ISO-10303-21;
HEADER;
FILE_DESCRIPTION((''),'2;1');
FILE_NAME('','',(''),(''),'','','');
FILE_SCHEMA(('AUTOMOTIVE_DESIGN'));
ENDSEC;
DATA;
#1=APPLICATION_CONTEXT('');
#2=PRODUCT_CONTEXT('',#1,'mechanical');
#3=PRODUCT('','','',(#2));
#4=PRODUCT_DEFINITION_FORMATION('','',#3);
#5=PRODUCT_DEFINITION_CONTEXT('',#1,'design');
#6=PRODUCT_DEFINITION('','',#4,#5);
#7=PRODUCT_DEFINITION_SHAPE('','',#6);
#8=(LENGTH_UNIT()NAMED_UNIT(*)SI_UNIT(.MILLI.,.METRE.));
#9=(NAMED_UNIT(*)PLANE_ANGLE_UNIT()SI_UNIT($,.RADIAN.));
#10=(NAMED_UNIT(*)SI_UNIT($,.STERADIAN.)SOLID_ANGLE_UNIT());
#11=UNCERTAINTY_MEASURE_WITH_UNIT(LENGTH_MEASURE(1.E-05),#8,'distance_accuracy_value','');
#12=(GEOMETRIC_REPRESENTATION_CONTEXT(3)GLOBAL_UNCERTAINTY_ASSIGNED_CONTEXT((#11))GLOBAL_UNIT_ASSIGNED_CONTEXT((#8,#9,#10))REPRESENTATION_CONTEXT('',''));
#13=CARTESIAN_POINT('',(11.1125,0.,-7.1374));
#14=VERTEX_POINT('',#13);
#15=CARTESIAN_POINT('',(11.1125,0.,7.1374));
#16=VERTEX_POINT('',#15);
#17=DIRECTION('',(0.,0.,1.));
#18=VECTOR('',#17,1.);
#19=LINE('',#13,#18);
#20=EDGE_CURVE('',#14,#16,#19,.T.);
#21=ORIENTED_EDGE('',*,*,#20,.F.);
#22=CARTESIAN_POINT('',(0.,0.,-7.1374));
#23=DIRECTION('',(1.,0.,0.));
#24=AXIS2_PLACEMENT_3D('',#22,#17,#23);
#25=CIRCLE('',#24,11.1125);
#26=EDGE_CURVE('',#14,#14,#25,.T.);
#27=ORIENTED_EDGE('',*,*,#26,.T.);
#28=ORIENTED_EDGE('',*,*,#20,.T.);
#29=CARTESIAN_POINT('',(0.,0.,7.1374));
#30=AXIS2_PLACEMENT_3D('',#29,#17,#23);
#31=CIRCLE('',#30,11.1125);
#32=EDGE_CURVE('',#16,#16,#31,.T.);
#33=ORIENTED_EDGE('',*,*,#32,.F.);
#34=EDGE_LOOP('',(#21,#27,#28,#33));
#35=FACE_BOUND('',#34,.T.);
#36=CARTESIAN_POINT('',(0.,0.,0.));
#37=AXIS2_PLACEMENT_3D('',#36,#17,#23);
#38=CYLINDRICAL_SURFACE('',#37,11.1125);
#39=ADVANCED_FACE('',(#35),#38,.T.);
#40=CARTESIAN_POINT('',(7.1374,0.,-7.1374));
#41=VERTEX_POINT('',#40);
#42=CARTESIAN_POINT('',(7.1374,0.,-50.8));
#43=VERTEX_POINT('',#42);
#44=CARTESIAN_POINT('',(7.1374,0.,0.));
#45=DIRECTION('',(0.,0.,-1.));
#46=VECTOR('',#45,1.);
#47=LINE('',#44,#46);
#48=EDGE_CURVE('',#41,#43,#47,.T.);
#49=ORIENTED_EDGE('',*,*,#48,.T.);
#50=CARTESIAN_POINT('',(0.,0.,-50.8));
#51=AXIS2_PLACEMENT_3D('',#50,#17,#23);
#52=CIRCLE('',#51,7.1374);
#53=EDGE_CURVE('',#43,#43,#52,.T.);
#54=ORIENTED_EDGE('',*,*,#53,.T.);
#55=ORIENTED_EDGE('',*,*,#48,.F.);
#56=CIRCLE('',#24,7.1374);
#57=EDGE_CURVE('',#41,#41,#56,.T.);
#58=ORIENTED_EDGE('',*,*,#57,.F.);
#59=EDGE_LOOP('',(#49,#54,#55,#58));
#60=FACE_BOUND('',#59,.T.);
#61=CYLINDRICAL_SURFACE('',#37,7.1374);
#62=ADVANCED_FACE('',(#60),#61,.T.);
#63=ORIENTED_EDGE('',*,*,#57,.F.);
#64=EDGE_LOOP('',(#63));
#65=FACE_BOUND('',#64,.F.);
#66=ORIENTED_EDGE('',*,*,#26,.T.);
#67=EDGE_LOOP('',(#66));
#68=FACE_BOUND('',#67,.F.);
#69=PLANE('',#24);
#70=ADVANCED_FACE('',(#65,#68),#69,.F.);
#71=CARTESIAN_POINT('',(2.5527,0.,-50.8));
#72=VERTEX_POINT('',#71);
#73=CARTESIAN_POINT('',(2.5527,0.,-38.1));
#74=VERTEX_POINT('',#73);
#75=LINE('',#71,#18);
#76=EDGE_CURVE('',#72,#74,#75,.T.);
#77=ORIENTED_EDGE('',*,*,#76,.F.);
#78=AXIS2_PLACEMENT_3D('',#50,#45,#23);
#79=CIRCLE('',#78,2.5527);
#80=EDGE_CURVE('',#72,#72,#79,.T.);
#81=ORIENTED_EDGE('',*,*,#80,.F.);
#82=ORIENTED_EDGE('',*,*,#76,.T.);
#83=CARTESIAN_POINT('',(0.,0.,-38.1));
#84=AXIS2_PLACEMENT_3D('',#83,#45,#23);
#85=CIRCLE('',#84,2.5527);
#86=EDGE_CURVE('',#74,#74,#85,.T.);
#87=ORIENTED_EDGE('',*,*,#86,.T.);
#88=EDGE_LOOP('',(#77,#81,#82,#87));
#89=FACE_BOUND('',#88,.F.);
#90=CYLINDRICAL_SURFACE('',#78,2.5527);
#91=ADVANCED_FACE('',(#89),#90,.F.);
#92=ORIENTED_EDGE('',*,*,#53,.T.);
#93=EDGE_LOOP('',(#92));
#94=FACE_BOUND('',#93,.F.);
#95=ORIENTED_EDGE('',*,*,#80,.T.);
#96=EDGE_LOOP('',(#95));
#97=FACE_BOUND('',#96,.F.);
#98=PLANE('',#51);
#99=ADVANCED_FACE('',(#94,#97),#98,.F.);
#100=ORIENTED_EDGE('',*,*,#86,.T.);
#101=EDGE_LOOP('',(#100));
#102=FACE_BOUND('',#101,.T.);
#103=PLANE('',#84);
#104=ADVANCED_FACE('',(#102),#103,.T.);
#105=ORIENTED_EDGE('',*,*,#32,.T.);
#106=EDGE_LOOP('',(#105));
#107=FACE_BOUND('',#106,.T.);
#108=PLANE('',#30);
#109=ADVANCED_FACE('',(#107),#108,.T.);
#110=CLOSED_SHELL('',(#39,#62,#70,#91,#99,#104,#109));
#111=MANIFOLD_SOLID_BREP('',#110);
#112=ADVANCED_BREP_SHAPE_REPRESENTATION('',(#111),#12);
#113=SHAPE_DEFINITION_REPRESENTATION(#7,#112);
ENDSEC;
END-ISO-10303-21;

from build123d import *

# Parameters (mm, degrees)
F0_R     = 11.1125
F1_DEPTH = 7.1374
F2_R     = 7.1374
F3_DEPTH = 50.8
F4_R     = 2.5527
F5_DEPTH = 12.7


with BuildPart() as f1:
    # F0 (on Top) → F1 (new body, symmetric)
    with BuildSketch(Plane.XY):
        Circle(F0_R)
    extrude(amount=F1_DEPTH, both=True)

    # F2 (on Top) → F3 (join)
    with BuildSketch(Plane.XY):
        Circle(F2_R)
    extrude(amount=-F3_DEPTH)

    # F4 (on face) → F5 (cut)
    with BuildSketch(Plane(origin=(0, 0, -50.8), x_dir=(1, 0, 0), z_dir=(0, 0, -1))):
        Circle(F4_R)
    extrude(amount=-F5_DEPTH, mode=Mode.SUBTRACT)


solid = f1.part
